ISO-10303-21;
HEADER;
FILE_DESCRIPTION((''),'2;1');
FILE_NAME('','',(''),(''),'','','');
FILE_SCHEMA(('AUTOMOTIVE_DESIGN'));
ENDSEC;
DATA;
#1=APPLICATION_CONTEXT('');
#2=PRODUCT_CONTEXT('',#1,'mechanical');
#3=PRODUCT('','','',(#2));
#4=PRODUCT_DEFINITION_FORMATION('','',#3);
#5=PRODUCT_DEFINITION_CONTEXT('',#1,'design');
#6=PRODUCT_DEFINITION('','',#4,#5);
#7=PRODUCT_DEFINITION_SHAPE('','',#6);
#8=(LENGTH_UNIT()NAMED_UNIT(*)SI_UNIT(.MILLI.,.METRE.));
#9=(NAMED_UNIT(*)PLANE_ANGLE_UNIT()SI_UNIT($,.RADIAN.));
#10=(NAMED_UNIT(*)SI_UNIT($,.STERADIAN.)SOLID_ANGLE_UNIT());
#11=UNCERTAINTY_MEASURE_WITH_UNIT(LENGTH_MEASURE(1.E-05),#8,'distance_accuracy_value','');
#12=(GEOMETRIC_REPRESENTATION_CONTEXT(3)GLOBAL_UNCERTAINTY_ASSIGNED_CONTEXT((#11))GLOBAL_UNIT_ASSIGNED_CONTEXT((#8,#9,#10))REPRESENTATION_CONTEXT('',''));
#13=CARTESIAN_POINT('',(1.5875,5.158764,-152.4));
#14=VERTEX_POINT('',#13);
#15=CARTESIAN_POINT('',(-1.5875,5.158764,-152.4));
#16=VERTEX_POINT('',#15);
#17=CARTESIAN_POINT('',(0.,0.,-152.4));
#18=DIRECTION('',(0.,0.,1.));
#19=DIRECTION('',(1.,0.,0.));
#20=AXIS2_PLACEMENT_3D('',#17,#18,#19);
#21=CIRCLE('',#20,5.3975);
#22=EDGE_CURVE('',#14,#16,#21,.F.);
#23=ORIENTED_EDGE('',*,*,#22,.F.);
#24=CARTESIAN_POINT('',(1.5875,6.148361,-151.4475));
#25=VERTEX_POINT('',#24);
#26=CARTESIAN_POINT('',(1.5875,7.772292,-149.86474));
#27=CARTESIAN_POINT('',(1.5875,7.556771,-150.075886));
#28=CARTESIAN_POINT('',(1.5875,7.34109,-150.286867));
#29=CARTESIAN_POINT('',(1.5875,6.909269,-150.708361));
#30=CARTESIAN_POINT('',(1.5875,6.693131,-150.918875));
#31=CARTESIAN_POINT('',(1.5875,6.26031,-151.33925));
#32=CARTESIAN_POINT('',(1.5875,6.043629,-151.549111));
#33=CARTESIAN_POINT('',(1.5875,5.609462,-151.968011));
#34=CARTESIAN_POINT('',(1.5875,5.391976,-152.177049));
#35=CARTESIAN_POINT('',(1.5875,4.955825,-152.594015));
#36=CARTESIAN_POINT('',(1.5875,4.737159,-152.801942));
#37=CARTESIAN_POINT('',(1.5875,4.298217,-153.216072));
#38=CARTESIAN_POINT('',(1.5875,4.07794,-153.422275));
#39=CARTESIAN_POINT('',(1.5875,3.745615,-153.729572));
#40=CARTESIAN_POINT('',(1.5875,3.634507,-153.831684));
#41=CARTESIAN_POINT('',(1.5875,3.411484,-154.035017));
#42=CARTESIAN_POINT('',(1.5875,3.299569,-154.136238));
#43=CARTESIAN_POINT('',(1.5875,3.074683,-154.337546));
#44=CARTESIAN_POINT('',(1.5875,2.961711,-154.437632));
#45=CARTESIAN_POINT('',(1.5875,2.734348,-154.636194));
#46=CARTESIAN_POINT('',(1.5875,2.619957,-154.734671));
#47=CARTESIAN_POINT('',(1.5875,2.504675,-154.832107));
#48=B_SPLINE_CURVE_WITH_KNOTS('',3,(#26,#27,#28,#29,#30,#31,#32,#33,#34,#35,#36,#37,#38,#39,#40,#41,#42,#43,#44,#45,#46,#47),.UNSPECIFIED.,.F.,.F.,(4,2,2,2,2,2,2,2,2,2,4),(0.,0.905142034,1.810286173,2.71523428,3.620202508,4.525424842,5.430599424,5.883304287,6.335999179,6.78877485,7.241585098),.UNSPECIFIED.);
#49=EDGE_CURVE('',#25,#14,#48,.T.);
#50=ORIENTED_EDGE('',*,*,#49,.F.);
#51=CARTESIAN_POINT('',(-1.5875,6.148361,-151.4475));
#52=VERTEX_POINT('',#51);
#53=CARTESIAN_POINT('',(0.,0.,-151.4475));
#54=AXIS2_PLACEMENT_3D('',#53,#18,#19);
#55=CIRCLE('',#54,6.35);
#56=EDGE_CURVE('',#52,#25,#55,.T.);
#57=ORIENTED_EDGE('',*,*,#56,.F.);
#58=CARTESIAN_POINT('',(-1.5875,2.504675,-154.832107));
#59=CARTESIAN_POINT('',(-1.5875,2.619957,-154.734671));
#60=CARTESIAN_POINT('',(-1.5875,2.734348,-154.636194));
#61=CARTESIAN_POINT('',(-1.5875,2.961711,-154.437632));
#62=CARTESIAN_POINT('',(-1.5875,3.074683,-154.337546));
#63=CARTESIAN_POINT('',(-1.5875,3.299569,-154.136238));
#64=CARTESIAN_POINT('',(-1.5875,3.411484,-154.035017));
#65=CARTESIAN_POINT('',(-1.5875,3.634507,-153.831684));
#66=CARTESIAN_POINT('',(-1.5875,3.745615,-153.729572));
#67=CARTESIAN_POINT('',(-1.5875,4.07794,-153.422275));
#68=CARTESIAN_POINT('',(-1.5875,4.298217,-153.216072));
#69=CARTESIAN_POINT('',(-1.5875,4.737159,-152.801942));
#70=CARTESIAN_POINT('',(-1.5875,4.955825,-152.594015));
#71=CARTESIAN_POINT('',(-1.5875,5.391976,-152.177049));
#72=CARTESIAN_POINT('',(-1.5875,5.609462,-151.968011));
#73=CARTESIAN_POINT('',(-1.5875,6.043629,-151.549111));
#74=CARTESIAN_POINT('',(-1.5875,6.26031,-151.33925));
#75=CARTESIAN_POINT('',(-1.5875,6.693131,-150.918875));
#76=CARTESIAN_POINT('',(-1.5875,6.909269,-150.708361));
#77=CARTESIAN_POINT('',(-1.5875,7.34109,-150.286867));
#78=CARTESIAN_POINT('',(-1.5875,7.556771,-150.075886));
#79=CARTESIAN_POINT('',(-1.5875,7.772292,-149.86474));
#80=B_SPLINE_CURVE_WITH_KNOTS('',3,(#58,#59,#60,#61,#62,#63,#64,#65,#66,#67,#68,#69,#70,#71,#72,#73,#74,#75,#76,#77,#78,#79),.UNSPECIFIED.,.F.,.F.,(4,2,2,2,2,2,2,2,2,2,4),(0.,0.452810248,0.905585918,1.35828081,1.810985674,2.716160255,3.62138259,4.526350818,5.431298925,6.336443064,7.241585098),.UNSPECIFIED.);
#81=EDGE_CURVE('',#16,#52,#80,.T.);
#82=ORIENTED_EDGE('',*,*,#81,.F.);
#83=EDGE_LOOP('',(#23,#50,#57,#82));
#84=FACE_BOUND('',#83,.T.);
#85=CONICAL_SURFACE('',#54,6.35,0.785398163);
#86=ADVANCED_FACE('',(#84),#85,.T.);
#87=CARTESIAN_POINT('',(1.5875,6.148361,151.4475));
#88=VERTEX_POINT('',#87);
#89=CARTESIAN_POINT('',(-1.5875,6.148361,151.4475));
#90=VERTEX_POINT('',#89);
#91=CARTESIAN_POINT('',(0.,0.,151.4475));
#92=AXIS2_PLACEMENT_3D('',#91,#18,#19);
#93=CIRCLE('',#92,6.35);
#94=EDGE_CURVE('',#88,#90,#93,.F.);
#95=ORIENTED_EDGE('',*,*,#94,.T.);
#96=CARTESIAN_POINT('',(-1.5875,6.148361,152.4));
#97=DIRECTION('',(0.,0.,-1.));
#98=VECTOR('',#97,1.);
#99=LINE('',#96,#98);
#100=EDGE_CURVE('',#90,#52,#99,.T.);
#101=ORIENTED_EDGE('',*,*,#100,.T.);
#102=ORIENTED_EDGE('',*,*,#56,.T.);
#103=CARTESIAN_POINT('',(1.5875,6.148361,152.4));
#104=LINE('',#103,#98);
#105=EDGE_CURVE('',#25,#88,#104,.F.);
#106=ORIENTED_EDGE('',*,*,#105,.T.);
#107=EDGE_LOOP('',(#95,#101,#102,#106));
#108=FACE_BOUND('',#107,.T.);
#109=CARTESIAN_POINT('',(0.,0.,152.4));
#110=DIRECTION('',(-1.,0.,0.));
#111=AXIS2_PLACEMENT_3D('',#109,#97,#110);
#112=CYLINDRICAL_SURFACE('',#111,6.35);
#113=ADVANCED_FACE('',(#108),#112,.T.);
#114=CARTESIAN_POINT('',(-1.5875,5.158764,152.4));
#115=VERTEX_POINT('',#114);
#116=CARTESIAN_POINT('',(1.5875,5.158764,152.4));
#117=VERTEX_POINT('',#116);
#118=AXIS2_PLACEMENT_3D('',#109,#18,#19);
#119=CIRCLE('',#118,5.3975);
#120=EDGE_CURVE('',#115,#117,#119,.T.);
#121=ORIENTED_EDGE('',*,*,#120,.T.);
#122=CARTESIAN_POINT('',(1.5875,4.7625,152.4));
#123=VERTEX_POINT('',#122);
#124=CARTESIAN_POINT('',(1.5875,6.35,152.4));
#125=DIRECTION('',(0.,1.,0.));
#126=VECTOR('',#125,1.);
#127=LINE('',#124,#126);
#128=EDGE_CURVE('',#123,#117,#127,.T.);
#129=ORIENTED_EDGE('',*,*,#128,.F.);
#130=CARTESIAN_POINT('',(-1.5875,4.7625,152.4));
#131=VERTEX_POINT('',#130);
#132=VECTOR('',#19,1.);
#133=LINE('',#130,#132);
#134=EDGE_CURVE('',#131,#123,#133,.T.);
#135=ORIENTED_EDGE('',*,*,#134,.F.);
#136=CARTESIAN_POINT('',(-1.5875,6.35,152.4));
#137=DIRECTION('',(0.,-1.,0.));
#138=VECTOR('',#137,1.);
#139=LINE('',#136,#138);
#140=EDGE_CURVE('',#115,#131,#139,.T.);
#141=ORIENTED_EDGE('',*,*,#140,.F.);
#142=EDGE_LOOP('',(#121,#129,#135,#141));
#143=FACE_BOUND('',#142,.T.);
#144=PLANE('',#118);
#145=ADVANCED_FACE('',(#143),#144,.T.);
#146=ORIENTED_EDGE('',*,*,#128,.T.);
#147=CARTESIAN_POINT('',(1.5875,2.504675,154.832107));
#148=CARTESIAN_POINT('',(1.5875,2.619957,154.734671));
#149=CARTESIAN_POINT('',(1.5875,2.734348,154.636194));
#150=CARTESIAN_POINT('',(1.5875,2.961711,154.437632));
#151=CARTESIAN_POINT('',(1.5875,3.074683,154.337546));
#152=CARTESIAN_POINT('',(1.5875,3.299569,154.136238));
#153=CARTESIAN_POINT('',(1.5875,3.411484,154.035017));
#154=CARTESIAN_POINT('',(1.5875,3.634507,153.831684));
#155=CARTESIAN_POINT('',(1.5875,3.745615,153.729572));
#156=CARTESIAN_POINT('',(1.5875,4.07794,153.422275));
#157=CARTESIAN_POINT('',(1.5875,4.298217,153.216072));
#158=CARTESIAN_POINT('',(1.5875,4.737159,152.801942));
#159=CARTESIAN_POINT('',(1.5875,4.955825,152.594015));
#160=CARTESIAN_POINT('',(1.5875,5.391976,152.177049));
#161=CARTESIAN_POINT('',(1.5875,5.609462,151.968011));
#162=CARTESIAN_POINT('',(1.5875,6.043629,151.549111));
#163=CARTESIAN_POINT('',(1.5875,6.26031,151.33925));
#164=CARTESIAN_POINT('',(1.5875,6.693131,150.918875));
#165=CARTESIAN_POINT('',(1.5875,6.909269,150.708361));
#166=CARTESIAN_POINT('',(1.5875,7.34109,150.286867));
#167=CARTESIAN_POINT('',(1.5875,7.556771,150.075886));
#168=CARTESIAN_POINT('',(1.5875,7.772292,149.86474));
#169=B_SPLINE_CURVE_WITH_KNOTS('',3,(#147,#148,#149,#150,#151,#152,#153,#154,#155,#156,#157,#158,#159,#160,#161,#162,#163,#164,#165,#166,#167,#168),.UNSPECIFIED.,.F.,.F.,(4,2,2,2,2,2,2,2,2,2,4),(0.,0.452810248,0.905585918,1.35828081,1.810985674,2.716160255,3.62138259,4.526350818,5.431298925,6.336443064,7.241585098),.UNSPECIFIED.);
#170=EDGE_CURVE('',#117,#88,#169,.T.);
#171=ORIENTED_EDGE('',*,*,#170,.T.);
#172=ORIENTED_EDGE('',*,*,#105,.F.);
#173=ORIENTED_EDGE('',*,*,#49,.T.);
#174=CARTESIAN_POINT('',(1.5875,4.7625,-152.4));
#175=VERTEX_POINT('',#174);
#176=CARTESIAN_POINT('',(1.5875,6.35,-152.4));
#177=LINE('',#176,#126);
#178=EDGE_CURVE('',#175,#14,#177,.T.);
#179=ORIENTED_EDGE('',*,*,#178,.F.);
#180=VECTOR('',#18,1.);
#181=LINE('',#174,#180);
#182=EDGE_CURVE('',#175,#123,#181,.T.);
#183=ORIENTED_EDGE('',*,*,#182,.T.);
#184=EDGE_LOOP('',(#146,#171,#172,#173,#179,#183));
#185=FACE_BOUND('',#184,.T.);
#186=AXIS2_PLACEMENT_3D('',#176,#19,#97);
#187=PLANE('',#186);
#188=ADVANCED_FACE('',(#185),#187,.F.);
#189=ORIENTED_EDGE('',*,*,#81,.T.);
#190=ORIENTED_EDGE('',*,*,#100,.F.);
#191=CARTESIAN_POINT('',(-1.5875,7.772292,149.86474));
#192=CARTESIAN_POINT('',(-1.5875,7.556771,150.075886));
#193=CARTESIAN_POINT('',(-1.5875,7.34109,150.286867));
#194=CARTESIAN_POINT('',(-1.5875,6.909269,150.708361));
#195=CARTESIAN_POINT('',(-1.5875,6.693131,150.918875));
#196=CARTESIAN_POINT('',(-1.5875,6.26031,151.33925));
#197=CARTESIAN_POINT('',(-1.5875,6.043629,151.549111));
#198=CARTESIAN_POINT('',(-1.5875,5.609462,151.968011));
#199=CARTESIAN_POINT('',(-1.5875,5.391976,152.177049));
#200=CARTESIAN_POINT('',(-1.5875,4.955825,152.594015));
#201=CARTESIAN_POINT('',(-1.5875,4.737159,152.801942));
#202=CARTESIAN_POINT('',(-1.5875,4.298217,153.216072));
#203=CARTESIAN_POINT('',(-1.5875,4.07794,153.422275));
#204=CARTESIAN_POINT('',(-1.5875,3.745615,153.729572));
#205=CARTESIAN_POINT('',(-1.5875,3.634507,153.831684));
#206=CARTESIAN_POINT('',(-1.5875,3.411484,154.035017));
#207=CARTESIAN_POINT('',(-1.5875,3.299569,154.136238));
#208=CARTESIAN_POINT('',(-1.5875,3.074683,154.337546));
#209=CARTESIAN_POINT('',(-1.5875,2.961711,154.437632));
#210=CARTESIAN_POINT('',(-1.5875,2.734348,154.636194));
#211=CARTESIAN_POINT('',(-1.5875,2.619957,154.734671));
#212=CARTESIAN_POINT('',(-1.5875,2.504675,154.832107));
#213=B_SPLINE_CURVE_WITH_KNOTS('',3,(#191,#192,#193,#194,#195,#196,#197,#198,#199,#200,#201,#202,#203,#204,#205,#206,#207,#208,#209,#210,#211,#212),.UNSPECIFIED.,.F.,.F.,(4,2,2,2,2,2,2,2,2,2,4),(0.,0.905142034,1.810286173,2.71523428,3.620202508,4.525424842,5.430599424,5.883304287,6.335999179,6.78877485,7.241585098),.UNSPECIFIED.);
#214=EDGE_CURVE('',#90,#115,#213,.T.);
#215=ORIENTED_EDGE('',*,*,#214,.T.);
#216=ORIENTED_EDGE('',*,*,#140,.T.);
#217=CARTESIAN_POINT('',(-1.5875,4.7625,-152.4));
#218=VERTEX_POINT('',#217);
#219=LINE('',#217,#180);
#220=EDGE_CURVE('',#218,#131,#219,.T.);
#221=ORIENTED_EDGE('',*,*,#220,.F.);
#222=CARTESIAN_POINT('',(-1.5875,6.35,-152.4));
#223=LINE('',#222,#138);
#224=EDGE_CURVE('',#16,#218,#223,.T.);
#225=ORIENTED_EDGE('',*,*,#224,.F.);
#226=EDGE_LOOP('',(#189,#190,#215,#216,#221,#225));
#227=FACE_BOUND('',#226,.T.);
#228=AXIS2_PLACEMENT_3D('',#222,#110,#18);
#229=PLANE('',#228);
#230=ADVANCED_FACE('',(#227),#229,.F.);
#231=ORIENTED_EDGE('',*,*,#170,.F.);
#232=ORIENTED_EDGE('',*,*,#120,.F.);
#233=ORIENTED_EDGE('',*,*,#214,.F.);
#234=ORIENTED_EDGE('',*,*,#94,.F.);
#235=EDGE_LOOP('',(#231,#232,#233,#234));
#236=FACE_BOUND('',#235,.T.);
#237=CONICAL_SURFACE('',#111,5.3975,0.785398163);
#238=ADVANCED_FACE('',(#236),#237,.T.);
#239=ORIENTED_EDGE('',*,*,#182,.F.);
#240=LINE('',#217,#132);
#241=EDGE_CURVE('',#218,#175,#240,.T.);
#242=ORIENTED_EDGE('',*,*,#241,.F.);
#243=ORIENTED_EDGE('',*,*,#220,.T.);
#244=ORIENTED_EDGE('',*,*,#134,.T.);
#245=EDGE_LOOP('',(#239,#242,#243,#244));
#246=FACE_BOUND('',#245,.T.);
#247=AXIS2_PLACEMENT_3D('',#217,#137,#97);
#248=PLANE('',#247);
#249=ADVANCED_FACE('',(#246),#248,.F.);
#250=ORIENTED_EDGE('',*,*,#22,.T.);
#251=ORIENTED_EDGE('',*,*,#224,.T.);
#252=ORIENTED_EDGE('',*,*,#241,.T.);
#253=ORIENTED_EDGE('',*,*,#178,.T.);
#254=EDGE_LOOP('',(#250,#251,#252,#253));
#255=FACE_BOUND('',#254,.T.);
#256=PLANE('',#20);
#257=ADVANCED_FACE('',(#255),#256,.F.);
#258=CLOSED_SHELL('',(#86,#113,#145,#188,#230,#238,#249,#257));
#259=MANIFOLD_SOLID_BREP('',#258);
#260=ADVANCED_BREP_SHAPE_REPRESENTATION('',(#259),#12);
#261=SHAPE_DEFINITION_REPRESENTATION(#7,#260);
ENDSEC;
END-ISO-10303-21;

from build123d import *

# Parameters (mm, degrees)
SKETCH1_R           = 6.35
EXTRUDE1_DEPTH      = 152.4
CHAMFER1_SIZE       = 0.9525
SKETCH3_W           = 3.175
SKETCH3_H           = 1.5875
EXTRUDE2_DEPTH      = 153.4
EXTRUDE2_DEPTH_BACK = 153.4


with BuildPart() as part:
    # Sketch1 → Extrude1 (new body, symmetric)
    with BuildSketch(Plane.XY):
        Circle(SKETCH1_R)
    extrude(amount=EXTRUDE1_DEPTH, both=True)

    # Chamfer1
    chamfer1_edges = [part.edges().sort_by_distance(p)[0] for p in [
        (-6.35, 0, -152.4),
        (-6.35, 0, 152.4),
    ]]
    chamfer(chamfer1_edges, length=CHAMFER1_SIZE)

    # Sketch3 → Extrude2 (cut, two sides)
    with BuildSketch(Plane.XY) as extrude2_sk:
        with Locations((0, 5.55625)):
            Rectangle(SKETCH3_W, SKETCH3_H)
    extrude(amount=EXTRUDE2_DEPTH, mode=Mode.SUBTRACT)
    extrude(extrude2_sk.sketch, amount=-EXTRUDE2_DEPTH_BACK, mode=Mode.SUBTRACT)


solid = part.part
